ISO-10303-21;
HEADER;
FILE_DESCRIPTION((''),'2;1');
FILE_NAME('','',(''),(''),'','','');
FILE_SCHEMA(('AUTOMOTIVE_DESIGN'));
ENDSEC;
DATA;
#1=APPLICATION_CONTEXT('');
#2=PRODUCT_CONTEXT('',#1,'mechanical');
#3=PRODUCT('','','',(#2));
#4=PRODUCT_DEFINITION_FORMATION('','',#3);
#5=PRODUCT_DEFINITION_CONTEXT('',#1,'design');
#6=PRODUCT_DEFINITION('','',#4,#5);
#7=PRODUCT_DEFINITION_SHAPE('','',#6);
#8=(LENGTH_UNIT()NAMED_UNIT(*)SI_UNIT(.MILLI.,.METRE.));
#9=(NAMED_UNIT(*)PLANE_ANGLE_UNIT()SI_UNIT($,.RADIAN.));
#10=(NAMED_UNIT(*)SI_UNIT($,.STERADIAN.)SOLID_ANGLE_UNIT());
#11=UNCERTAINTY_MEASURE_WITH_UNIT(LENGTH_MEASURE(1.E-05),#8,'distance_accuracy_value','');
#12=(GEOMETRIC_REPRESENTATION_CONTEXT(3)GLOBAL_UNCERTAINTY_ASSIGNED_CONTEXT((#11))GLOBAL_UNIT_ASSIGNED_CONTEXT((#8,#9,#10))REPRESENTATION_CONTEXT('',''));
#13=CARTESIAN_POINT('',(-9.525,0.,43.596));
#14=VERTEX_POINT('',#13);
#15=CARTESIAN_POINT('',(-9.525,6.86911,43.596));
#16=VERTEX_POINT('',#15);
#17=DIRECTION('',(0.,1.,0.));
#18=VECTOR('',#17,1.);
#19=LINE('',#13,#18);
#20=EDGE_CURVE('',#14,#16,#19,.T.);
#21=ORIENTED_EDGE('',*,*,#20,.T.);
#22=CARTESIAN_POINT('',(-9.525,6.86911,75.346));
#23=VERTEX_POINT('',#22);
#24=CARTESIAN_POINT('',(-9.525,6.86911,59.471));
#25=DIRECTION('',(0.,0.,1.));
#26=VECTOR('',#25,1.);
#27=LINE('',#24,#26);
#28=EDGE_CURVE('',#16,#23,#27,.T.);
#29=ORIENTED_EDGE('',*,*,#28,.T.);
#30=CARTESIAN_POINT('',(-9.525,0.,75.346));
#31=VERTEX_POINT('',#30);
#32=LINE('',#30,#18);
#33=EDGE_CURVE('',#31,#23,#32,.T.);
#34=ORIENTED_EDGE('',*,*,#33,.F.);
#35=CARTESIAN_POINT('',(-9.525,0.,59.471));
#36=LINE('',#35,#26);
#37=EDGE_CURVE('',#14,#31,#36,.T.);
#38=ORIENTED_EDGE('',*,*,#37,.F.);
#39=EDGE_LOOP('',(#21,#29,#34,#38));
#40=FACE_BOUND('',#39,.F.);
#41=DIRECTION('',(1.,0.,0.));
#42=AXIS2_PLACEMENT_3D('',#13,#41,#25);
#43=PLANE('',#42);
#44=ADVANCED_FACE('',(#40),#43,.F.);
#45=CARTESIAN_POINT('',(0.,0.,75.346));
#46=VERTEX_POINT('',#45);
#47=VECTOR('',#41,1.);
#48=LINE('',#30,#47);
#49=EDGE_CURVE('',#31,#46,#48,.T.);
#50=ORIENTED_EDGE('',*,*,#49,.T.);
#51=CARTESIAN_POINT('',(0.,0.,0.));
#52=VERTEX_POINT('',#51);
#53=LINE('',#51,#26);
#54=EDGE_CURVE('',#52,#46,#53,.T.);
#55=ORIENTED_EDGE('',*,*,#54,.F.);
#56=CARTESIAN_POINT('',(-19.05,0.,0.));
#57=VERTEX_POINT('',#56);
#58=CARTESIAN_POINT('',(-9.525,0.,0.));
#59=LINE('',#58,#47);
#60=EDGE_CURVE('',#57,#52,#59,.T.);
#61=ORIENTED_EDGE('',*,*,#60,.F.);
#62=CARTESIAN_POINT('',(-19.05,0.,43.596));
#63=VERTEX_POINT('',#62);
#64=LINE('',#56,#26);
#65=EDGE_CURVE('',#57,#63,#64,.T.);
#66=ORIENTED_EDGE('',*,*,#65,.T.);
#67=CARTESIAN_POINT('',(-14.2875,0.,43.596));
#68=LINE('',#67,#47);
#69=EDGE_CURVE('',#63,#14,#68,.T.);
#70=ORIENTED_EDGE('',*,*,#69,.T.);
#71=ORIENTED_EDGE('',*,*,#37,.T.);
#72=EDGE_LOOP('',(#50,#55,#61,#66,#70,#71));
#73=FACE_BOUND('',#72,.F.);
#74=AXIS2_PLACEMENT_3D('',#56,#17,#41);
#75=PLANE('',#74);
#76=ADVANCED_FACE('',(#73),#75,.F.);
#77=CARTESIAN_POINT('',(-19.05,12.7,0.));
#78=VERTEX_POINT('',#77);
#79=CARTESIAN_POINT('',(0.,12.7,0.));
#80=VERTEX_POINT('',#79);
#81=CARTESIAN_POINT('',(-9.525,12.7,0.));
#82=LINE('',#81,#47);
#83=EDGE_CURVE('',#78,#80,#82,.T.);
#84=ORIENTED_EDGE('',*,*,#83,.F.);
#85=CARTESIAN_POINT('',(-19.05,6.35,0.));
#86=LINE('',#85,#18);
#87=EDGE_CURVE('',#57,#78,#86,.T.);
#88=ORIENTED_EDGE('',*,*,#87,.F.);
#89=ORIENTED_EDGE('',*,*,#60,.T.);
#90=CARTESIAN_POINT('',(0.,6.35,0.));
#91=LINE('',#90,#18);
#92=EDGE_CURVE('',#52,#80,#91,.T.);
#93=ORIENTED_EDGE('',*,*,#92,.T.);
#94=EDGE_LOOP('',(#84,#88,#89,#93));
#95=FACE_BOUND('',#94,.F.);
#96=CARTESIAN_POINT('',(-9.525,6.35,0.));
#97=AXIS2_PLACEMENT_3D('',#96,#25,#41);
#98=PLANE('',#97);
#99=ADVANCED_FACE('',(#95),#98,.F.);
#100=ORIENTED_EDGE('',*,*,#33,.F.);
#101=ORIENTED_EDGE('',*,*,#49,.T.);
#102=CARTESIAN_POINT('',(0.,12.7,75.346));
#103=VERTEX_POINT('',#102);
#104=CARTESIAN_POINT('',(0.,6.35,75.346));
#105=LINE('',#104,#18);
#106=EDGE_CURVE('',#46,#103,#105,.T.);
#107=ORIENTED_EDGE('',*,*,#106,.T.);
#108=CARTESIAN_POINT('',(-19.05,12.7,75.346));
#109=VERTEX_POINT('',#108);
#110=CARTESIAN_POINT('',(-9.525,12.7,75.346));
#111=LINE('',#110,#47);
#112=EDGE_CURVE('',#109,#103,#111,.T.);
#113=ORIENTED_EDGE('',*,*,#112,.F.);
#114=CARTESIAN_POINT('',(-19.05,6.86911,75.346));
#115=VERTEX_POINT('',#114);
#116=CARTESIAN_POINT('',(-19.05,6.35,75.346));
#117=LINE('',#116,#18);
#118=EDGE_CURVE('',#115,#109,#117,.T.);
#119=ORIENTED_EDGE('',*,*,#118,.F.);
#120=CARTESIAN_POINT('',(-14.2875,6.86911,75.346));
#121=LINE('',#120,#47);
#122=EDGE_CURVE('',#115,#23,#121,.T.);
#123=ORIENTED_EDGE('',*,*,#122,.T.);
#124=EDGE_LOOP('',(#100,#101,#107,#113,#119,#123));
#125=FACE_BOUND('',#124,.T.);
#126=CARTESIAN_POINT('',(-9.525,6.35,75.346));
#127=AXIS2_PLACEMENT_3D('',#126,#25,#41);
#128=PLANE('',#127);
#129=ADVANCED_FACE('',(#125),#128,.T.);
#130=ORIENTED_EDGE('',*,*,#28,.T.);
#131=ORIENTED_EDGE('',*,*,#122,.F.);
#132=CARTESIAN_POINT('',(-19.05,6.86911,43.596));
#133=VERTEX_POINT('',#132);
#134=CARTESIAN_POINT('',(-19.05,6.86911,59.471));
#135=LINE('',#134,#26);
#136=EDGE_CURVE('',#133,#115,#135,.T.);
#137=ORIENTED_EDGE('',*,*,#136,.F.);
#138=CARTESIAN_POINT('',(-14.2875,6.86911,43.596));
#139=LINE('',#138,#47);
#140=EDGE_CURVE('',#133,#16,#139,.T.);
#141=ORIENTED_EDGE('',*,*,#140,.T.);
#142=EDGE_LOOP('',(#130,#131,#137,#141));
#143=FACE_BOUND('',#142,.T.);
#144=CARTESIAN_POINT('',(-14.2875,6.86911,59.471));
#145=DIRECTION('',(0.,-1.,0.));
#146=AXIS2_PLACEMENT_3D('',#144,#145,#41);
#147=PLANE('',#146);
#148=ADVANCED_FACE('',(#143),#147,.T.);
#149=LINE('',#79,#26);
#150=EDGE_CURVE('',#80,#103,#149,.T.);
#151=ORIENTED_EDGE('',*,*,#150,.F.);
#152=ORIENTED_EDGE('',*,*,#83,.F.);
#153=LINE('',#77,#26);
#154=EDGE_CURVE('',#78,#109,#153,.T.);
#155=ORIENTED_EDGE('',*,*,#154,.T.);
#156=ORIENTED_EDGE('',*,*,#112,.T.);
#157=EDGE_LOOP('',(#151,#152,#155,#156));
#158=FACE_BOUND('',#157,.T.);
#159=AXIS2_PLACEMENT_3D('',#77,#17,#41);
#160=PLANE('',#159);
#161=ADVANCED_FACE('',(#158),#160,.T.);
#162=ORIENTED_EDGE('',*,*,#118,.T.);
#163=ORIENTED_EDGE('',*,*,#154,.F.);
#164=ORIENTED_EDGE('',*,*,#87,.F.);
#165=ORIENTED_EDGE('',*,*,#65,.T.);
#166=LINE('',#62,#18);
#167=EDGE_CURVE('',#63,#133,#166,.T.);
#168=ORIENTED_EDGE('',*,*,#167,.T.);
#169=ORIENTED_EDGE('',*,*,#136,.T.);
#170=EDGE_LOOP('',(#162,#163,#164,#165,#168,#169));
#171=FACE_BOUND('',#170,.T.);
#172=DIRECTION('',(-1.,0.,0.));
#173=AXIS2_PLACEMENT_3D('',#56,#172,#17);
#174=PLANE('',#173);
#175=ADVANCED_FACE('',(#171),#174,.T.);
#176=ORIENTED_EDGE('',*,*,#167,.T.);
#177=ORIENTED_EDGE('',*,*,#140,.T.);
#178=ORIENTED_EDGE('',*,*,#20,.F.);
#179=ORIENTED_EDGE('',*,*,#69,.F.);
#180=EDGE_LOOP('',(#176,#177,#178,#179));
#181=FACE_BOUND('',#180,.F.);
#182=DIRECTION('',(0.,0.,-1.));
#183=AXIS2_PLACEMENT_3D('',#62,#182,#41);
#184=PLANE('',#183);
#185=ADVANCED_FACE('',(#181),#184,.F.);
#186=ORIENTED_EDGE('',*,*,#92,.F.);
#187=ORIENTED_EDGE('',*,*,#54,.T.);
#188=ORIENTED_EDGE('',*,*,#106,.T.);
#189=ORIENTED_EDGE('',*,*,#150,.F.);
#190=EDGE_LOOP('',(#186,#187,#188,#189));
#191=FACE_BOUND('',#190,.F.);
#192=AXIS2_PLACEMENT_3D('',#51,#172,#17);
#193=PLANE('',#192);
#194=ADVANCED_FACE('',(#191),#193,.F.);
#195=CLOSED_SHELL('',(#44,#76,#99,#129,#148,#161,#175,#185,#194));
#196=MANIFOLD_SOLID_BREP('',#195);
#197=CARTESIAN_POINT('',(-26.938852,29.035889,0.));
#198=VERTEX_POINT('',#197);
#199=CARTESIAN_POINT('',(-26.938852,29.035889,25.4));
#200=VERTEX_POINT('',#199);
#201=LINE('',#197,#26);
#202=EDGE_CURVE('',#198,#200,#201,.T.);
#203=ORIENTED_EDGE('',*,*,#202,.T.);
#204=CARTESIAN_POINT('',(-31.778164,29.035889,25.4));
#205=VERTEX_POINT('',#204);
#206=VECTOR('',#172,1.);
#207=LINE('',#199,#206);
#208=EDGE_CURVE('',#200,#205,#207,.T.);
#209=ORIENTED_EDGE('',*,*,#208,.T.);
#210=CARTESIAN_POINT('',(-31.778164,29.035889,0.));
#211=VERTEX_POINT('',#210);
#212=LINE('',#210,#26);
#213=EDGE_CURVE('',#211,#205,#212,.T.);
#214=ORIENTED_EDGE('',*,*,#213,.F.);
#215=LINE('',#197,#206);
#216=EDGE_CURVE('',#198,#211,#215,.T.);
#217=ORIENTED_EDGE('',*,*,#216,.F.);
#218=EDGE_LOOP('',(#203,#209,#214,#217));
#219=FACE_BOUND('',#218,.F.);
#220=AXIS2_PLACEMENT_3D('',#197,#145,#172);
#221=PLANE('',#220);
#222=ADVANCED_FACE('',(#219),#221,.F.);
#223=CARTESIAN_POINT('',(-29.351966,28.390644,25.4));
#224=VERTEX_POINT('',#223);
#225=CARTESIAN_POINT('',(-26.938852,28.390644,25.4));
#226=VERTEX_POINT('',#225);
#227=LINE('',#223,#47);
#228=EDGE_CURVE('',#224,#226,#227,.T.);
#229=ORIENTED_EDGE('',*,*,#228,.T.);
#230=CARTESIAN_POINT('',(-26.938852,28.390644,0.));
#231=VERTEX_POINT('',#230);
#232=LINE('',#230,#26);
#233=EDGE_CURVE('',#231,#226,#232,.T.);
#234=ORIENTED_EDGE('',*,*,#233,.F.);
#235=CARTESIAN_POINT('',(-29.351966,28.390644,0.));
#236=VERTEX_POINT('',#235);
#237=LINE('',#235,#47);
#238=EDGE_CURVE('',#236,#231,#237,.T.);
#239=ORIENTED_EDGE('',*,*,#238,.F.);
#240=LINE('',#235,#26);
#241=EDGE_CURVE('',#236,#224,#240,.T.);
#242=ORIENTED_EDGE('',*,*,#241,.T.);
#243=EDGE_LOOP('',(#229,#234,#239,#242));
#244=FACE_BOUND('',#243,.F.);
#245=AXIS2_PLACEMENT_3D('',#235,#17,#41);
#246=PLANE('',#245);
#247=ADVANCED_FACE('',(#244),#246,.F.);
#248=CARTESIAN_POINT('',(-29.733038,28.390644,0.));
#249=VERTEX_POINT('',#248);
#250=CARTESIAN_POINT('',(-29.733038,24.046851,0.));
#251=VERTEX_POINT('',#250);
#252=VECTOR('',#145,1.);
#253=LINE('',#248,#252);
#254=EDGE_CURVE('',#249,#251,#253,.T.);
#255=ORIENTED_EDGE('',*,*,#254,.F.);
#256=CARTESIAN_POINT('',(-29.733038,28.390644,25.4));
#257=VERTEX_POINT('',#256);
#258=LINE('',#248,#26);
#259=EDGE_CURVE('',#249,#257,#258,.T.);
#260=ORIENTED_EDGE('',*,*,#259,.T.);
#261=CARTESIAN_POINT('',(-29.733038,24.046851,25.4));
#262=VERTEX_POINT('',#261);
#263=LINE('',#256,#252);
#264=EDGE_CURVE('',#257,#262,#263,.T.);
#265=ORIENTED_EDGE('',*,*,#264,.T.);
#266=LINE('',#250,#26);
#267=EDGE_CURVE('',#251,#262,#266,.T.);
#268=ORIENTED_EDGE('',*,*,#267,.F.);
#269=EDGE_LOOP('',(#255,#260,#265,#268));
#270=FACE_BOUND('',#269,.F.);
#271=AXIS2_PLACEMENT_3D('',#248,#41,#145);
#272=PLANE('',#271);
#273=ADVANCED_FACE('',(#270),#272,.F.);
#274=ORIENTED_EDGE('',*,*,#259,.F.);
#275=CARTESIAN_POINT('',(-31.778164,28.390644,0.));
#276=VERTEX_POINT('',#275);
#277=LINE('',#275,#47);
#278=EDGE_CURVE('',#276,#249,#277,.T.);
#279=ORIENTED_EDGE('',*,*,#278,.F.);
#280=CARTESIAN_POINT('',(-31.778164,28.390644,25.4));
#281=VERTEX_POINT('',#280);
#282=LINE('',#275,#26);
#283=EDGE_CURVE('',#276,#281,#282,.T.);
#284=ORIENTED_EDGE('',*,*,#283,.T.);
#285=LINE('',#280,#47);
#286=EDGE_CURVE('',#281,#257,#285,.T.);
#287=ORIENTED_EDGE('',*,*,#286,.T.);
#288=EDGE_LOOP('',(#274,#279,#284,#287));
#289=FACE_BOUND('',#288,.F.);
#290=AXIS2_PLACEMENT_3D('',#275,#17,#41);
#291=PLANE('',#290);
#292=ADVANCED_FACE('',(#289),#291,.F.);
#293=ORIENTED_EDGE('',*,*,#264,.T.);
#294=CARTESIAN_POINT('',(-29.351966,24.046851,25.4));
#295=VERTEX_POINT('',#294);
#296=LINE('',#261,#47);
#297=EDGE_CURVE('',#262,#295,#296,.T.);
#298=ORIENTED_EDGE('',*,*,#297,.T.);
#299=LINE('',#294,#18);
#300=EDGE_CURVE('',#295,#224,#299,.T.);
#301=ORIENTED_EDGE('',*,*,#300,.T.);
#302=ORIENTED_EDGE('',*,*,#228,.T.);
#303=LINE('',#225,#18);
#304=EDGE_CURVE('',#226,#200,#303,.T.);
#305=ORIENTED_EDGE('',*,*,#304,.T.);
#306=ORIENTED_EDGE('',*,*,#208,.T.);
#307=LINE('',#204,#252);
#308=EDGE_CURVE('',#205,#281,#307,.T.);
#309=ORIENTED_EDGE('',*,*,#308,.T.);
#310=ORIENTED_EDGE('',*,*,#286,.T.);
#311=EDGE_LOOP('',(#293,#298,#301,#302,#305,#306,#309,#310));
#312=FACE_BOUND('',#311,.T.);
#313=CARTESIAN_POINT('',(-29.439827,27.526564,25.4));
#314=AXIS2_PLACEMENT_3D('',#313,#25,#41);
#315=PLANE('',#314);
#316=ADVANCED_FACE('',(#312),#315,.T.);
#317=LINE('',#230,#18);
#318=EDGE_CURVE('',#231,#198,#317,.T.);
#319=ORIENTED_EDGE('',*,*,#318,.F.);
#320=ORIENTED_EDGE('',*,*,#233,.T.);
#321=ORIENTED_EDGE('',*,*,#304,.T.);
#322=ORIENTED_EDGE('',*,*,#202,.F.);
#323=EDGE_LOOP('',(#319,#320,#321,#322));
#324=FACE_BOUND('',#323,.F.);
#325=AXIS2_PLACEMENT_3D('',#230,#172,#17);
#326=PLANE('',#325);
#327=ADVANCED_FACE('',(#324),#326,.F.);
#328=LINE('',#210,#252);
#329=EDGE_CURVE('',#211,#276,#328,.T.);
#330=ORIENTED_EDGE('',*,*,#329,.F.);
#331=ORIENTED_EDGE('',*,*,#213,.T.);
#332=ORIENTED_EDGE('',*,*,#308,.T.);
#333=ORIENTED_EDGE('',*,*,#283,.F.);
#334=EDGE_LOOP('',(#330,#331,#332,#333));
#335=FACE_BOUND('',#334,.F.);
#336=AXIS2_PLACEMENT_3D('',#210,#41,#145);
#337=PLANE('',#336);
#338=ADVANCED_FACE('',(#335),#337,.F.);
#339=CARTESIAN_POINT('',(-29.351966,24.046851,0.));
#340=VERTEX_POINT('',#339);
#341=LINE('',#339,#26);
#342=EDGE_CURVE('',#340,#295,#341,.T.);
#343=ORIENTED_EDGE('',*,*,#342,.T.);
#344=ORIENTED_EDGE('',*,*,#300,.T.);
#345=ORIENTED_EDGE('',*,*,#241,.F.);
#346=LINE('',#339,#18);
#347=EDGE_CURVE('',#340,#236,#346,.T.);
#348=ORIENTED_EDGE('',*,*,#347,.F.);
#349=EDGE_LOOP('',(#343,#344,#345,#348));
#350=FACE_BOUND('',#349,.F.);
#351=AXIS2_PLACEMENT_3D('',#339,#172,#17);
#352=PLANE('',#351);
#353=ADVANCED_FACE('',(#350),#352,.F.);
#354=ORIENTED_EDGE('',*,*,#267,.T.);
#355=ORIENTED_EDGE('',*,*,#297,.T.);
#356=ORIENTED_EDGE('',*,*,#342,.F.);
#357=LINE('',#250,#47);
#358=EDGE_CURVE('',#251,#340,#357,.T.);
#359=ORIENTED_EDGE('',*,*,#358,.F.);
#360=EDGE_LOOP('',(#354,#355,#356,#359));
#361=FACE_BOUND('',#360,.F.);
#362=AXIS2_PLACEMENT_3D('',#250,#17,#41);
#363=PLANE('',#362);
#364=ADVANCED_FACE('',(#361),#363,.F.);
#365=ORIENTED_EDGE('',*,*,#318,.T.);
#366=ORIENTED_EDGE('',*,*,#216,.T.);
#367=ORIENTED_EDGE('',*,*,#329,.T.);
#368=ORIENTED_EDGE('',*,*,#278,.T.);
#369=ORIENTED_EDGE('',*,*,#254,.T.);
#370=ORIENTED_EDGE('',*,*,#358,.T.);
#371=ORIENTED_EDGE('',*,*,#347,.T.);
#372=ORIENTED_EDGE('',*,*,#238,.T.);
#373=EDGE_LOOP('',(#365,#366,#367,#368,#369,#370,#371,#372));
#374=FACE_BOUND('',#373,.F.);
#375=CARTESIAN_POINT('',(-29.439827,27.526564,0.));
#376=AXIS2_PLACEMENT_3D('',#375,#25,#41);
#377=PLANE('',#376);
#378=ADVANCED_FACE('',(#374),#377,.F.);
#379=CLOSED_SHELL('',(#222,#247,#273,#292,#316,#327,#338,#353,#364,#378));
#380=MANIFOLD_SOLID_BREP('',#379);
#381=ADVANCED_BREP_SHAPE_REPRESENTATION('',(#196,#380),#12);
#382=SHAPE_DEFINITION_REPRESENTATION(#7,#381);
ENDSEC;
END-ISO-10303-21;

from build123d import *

# Parameters (mm, degrees)
F1_DEPTH = 25.4
F2_W     = 19.05
F2_H     = 12.7
F3_DEPTH = 75.346
F4_W     = 9.525
F4_H     = 31.75
F5_DEPTH = 6.86911


with BuildPart() as f1:
    # F0 (on Top) → F1 (new body)
    with BuildSketch(Plane.XY):
        Polygon((-29.351966, 28.390644), (-26.938852, 28.390644), (-26.938852, 29.035889), (-31.778164, 29.035889), (-31.778164, 28.390644), (-29.733038, 28.390644), (-29.733038, 24.046851), (-29.351966, 24.046851), align=None)
    extrude(amount=F1_DEPTH)


with BuildPart() as f3:
    # F2 (on Top) → F3 (new body)
    with BuildSketch(Plane.XY):
        with Locations((-9.525, 6.35)):
            Rectangle(F2_W, F2_H)
    extrude(amount=F3_DEPTH)

    # F4 (on face) → F5 (cut)
    with BuildSketch(Plane.XZ):
        with Locations((-14.2875, 59.471)):
            Rectangle(F4_W, F4_H)
    extrude(amount=-F5_DEPTH, mode=Mode.SUBTRACT)


solid = Compound([f1.part, f3.part])
